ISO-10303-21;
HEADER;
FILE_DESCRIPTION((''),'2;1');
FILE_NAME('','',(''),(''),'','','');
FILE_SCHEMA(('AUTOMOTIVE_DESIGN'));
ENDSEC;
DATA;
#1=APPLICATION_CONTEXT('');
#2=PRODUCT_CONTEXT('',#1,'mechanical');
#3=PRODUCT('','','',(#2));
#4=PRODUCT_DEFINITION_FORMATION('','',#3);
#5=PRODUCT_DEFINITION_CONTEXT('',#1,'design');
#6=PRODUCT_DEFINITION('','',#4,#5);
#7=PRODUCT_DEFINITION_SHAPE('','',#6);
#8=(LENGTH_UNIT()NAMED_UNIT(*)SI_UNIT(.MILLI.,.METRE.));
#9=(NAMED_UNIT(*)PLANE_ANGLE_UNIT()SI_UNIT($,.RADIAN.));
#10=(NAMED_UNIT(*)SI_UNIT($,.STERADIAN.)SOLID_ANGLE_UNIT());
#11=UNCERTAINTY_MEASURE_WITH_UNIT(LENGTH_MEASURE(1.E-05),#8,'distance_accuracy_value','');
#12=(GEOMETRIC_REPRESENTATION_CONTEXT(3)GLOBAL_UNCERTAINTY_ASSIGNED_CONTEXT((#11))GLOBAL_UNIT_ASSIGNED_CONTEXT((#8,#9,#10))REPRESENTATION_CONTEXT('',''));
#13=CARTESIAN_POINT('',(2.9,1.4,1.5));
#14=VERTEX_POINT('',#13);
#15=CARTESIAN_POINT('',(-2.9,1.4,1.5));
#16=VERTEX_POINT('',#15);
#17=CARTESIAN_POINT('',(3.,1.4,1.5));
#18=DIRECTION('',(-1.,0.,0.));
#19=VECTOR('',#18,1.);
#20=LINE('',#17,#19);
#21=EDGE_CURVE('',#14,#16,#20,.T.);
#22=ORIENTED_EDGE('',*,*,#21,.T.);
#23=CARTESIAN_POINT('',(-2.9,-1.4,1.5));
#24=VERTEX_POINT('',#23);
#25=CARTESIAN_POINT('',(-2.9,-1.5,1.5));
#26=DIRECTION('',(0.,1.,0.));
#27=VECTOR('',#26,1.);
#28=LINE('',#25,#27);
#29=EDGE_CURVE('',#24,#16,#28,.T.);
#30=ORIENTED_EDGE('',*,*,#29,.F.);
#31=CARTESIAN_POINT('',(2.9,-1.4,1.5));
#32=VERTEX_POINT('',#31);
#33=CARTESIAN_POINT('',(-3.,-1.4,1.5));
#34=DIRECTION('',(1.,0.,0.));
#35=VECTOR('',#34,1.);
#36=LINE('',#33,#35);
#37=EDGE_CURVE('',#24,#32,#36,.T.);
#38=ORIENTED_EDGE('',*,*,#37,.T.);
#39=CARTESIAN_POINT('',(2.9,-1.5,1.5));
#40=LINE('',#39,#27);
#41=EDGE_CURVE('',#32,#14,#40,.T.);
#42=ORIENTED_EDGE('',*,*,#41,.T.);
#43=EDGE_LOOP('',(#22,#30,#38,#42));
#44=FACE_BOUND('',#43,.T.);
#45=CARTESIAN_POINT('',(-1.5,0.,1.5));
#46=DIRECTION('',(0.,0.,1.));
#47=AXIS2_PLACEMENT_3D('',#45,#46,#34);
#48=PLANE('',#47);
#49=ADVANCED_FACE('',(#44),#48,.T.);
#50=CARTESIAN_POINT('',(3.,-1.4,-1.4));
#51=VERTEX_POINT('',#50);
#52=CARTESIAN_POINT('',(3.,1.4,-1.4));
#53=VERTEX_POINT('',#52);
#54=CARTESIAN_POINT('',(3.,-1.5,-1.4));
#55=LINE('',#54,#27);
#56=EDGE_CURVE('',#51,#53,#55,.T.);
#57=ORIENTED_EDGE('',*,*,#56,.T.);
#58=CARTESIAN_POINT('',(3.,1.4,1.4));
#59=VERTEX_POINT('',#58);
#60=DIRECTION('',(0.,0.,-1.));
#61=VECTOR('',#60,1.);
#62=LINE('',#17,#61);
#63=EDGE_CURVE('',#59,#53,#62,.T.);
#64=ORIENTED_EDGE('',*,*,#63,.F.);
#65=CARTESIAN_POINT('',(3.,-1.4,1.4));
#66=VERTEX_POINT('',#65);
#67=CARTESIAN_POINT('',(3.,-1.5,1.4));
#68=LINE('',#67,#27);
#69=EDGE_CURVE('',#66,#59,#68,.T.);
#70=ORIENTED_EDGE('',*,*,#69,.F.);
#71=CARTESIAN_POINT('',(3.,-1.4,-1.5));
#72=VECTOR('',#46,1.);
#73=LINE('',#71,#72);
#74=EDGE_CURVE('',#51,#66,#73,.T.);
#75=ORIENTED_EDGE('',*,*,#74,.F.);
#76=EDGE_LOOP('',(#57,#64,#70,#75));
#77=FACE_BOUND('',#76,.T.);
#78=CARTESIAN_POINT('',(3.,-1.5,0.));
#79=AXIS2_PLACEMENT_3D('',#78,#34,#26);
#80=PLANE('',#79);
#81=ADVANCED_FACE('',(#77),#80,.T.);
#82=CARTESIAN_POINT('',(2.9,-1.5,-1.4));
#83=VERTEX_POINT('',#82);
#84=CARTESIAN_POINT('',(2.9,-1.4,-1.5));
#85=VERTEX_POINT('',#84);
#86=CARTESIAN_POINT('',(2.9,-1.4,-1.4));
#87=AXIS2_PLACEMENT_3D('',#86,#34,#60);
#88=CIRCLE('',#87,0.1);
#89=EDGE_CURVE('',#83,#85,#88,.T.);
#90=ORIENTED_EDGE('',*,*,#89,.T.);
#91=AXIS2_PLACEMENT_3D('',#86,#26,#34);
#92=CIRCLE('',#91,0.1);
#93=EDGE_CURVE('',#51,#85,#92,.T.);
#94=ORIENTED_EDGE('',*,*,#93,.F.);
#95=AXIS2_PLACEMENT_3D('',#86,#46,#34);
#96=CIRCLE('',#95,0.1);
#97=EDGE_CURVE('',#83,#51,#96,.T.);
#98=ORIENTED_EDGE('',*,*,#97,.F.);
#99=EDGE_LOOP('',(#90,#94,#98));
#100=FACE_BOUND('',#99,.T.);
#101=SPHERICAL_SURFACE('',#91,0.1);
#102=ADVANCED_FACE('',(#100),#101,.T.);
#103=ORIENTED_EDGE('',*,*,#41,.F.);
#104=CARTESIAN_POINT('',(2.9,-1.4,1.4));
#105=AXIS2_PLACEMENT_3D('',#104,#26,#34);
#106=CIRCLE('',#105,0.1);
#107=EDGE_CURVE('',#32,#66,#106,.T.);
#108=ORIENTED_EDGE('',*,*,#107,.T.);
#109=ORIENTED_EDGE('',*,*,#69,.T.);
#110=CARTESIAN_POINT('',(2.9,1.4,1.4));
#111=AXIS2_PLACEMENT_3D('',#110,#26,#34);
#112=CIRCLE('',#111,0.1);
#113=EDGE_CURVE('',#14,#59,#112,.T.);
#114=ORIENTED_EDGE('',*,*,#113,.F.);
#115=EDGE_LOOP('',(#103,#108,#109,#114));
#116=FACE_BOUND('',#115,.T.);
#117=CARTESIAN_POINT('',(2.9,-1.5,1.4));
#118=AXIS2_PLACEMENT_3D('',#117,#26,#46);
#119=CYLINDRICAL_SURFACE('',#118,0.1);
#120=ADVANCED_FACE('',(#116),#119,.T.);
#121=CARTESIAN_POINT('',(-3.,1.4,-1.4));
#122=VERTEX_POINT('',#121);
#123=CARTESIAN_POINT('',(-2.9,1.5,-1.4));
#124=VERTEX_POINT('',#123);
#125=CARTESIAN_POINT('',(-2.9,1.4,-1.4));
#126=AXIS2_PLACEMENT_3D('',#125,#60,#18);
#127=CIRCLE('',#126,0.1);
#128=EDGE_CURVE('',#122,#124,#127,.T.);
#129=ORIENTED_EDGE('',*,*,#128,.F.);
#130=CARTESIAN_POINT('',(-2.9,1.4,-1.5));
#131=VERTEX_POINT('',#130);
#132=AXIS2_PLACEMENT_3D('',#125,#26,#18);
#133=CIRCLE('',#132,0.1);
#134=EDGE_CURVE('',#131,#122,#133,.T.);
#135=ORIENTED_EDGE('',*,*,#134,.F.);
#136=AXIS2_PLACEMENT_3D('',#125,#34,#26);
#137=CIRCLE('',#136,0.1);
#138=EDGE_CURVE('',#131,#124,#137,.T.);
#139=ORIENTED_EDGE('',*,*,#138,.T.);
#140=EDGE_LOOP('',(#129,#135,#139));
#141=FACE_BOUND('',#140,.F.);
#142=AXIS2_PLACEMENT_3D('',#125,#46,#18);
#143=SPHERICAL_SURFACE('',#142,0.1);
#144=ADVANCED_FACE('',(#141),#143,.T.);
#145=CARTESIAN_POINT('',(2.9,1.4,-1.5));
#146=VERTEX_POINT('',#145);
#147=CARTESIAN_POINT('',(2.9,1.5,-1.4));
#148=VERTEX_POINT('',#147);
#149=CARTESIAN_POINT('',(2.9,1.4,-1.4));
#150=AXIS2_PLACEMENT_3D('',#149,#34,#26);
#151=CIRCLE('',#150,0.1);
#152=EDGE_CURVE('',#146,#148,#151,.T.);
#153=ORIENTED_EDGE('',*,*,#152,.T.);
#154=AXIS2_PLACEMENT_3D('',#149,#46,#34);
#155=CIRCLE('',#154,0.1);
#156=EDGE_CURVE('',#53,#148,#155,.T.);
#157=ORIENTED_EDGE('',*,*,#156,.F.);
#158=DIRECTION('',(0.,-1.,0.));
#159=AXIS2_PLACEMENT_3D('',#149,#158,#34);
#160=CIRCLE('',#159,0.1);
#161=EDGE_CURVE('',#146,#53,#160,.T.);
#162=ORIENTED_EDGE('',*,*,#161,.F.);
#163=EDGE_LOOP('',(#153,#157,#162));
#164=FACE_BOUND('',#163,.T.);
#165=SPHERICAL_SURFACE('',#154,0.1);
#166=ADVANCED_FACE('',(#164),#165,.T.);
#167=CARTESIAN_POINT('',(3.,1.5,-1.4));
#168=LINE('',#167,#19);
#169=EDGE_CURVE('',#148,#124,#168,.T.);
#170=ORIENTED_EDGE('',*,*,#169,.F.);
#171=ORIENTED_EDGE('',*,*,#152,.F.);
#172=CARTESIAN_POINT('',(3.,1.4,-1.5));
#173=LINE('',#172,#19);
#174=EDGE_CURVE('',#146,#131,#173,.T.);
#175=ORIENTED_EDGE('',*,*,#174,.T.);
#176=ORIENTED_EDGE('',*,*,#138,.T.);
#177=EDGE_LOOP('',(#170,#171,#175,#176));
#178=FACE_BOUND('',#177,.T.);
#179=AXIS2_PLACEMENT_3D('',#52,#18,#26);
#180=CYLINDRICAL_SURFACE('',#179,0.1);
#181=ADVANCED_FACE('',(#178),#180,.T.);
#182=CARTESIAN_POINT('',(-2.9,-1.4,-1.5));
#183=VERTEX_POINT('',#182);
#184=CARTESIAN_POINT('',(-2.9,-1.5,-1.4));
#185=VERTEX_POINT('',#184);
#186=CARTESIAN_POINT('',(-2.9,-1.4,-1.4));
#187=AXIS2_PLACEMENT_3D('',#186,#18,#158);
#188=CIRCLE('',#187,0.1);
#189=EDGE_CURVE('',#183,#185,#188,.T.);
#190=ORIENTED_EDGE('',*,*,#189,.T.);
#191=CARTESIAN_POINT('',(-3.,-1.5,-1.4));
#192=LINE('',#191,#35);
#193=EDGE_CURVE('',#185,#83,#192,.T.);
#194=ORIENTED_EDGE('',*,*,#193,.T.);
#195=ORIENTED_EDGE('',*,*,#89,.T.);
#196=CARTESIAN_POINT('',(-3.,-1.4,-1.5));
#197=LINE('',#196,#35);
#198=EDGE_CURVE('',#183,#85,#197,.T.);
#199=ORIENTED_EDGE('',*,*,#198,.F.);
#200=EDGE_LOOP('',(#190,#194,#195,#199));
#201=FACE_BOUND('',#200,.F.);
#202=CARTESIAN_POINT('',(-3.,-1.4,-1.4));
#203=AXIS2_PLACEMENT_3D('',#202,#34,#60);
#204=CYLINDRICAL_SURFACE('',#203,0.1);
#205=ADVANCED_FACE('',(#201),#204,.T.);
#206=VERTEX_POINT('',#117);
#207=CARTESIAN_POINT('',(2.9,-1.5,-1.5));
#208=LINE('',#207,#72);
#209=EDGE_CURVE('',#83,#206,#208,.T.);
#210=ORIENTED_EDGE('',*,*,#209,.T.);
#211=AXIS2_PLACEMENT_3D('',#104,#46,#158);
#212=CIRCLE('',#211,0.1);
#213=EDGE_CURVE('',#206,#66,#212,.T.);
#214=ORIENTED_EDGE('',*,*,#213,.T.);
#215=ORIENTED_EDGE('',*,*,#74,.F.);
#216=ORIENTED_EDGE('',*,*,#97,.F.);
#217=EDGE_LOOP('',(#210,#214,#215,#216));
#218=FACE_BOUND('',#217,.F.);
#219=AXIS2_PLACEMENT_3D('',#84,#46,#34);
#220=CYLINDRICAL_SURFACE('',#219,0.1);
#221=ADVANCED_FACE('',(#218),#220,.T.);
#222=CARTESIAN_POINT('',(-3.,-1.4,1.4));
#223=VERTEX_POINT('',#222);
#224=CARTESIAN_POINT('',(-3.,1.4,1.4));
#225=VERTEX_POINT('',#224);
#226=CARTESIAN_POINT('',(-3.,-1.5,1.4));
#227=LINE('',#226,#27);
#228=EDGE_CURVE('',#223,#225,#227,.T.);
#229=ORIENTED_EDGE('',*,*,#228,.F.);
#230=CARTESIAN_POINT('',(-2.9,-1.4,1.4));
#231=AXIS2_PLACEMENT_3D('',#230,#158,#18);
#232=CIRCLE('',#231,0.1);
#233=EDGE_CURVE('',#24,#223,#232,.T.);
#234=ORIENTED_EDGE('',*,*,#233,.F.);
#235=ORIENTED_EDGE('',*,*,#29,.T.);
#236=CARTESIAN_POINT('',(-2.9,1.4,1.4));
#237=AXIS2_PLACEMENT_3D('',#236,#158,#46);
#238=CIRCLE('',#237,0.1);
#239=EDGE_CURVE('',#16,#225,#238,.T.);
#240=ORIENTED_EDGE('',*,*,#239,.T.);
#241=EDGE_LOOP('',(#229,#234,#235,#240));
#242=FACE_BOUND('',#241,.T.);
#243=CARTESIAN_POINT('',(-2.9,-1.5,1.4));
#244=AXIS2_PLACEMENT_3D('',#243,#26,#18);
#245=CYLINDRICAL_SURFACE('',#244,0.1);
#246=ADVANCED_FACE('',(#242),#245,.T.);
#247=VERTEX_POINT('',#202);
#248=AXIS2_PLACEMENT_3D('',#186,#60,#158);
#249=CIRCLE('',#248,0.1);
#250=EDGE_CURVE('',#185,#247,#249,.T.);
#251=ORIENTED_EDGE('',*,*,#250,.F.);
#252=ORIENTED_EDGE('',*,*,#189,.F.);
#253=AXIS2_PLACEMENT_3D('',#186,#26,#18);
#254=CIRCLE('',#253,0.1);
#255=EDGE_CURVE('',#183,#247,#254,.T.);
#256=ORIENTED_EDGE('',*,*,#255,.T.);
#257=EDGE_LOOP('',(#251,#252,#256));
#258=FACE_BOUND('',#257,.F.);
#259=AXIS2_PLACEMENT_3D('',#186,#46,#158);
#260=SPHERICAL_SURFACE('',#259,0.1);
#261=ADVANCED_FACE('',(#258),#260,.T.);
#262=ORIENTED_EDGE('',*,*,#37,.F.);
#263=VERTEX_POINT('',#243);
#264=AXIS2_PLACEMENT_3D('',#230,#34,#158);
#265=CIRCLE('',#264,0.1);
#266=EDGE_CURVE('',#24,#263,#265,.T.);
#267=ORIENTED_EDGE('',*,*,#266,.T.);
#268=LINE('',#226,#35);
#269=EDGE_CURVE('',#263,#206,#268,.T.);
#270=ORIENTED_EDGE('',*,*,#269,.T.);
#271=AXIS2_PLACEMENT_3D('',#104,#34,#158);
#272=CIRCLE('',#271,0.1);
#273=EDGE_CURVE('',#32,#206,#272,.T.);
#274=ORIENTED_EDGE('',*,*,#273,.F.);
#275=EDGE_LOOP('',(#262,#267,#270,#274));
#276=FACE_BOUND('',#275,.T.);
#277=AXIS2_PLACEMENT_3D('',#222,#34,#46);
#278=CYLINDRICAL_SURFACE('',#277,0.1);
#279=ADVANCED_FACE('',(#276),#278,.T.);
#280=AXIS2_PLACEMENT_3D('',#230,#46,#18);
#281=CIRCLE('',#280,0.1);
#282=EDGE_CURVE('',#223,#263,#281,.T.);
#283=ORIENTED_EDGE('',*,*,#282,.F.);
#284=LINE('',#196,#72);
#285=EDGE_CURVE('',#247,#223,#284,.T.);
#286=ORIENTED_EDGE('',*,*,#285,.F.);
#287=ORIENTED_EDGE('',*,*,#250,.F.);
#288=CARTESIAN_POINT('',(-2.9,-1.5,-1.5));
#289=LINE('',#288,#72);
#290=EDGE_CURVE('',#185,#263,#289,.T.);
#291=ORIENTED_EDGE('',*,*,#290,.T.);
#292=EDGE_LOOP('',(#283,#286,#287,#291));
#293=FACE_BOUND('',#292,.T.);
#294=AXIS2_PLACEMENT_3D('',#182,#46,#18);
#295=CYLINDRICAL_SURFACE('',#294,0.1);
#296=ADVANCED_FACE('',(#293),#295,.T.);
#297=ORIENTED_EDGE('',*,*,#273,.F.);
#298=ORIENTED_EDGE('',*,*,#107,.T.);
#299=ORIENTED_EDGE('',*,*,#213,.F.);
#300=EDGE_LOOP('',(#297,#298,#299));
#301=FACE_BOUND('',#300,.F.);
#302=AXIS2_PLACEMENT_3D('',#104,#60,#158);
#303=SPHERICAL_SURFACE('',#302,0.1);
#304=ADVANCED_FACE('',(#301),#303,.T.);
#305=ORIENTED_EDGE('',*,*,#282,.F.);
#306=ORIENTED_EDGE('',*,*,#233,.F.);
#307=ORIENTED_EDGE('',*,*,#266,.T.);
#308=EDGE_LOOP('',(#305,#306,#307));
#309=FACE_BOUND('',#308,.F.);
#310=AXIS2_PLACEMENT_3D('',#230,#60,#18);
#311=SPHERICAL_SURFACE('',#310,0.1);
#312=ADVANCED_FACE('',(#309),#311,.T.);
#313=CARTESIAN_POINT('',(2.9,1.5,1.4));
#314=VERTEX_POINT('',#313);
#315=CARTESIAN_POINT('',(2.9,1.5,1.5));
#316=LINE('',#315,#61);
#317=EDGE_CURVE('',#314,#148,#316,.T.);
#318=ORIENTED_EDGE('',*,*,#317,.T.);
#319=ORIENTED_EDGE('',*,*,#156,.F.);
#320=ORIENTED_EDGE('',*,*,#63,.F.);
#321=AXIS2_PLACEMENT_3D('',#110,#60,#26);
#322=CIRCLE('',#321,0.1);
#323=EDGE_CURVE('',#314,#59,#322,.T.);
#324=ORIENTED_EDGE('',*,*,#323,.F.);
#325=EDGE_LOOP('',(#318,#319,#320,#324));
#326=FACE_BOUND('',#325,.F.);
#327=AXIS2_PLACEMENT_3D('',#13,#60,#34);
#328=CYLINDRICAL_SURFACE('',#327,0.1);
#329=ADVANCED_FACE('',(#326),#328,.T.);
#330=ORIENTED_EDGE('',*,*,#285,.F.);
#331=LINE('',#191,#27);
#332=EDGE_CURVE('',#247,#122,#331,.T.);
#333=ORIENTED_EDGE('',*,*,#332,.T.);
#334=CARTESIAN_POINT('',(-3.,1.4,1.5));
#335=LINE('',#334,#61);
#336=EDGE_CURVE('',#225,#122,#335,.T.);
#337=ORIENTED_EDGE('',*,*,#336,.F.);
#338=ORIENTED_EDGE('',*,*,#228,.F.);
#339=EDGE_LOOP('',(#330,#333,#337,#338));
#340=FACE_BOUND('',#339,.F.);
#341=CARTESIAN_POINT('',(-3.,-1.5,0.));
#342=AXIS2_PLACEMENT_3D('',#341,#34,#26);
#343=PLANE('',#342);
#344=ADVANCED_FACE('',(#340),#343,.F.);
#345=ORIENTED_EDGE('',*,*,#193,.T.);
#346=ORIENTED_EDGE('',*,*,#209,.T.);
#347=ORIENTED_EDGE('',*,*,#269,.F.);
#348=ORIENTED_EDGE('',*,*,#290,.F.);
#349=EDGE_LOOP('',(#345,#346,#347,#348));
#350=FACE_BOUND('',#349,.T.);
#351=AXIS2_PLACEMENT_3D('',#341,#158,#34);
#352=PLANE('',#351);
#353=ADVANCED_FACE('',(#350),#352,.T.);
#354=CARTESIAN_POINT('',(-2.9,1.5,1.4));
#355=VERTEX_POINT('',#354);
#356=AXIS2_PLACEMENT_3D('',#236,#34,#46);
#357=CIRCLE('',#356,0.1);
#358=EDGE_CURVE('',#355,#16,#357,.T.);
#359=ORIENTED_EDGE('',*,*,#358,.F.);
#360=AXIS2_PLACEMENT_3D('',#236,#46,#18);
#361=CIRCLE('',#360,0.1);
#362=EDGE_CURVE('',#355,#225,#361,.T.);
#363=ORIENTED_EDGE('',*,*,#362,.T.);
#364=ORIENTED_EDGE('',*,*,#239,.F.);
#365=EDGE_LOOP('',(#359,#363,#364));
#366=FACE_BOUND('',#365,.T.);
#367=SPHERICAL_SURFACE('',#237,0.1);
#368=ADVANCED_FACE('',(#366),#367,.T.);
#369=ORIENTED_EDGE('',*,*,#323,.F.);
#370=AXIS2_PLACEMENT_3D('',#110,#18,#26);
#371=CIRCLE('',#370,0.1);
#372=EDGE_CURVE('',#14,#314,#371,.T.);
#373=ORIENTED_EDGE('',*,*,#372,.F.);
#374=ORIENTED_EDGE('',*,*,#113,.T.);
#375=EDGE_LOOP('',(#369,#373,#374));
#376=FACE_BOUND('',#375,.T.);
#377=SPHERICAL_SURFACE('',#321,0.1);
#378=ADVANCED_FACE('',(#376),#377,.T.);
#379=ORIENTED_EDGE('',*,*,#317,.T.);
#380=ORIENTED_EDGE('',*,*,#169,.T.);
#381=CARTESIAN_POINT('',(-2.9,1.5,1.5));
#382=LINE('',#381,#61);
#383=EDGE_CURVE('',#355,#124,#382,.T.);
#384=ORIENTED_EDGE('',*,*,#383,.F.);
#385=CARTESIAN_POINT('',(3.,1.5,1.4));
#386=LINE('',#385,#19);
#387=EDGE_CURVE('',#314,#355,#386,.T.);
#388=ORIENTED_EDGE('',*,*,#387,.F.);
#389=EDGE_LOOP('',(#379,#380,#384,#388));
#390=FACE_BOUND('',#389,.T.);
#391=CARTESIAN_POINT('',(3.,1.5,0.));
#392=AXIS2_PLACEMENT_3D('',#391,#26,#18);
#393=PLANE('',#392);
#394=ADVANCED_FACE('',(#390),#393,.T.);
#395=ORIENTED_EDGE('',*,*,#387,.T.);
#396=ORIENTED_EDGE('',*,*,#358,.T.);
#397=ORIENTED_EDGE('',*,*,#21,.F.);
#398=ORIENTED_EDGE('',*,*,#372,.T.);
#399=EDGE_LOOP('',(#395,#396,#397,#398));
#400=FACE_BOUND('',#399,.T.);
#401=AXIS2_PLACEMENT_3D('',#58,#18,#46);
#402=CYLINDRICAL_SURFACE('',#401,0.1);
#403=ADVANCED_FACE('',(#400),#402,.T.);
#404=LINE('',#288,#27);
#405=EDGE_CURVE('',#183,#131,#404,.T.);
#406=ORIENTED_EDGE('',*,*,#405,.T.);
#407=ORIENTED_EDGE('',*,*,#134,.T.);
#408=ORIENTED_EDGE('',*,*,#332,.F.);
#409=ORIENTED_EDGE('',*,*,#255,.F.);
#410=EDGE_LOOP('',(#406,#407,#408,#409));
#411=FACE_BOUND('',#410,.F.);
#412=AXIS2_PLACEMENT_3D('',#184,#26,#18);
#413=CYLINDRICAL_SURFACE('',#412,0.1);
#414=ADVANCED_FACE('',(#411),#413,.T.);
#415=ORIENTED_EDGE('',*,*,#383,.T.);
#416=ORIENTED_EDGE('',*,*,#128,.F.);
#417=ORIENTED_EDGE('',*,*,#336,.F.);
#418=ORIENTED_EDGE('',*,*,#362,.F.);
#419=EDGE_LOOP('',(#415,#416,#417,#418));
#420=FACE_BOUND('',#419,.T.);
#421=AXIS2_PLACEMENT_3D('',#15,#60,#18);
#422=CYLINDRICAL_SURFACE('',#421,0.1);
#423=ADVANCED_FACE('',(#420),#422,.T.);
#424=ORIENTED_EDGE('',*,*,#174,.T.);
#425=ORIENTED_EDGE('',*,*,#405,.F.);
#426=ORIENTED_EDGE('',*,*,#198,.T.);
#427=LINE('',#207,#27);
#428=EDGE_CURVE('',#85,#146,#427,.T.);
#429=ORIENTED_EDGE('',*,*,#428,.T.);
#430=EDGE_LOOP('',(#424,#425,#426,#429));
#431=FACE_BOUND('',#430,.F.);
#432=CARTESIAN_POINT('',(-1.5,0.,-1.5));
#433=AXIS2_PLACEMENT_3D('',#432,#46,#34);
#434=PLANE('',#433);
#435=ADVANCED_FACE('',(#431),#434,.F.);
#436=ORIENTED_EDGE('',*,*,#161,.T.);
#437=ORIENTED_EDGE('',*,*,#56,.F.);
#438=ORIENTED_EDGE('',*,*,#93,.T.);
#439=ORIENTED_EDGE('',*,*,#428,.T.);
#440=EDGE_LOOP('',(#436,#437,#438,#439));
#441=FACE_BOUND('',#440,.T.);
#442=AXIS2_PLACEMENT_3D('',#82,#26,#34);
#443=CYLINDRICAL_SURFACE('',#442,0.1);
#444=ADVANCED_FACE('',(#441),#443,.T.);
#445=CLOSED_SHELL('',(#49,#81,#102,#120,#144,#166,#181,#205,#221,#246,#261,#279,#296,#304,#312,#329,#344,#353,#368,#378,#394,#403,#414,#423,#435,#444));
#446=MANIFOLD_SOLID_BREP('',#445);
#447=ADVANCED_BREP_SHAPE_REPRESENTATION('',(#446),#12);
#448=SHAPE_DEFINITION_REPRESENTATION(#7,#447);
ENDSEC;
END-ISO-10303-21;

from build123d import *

# Parameters (mm, degrees)
F0_W     = 3
F0_H     = 3
F1_DEPTH = 1.5
F2_R     = 0.1


with BuildPart() as f1:
    # F0 (on Top) → F1 (new body, symmetric)
    with BuildSketch(Plane.XY):
        with Locations((-1.5, 0)):
            Rectangle(F0_W, F0_H)
        with Locations((1.5, 0)):
            Rectangle(F0_W, F0_H)
    extrude(amount=F1_DEPTH, both=True)

    # F2
    f2_edges = [f1.edges().sort_by_distance(p)[0] for p in [
        (3, 1.5, 0),
        (-3, -1.5, 0),
        (-3, 0, 1.5),
        (3, 0, -1.5),
        (3, -1.5, 0),
        (0, -1.5, -1.5),
        (0, -1.5, 1.5),
        (0, 1.5, 1.5),
        (3, 0, 1.5),
        (-3, 1.5, 0),
        (-3, 0, -1.5),
        (0, 1.5, -1.5),
    ]]
    fillet(f2_edges, radius=F2_R)


solid = f1.part
